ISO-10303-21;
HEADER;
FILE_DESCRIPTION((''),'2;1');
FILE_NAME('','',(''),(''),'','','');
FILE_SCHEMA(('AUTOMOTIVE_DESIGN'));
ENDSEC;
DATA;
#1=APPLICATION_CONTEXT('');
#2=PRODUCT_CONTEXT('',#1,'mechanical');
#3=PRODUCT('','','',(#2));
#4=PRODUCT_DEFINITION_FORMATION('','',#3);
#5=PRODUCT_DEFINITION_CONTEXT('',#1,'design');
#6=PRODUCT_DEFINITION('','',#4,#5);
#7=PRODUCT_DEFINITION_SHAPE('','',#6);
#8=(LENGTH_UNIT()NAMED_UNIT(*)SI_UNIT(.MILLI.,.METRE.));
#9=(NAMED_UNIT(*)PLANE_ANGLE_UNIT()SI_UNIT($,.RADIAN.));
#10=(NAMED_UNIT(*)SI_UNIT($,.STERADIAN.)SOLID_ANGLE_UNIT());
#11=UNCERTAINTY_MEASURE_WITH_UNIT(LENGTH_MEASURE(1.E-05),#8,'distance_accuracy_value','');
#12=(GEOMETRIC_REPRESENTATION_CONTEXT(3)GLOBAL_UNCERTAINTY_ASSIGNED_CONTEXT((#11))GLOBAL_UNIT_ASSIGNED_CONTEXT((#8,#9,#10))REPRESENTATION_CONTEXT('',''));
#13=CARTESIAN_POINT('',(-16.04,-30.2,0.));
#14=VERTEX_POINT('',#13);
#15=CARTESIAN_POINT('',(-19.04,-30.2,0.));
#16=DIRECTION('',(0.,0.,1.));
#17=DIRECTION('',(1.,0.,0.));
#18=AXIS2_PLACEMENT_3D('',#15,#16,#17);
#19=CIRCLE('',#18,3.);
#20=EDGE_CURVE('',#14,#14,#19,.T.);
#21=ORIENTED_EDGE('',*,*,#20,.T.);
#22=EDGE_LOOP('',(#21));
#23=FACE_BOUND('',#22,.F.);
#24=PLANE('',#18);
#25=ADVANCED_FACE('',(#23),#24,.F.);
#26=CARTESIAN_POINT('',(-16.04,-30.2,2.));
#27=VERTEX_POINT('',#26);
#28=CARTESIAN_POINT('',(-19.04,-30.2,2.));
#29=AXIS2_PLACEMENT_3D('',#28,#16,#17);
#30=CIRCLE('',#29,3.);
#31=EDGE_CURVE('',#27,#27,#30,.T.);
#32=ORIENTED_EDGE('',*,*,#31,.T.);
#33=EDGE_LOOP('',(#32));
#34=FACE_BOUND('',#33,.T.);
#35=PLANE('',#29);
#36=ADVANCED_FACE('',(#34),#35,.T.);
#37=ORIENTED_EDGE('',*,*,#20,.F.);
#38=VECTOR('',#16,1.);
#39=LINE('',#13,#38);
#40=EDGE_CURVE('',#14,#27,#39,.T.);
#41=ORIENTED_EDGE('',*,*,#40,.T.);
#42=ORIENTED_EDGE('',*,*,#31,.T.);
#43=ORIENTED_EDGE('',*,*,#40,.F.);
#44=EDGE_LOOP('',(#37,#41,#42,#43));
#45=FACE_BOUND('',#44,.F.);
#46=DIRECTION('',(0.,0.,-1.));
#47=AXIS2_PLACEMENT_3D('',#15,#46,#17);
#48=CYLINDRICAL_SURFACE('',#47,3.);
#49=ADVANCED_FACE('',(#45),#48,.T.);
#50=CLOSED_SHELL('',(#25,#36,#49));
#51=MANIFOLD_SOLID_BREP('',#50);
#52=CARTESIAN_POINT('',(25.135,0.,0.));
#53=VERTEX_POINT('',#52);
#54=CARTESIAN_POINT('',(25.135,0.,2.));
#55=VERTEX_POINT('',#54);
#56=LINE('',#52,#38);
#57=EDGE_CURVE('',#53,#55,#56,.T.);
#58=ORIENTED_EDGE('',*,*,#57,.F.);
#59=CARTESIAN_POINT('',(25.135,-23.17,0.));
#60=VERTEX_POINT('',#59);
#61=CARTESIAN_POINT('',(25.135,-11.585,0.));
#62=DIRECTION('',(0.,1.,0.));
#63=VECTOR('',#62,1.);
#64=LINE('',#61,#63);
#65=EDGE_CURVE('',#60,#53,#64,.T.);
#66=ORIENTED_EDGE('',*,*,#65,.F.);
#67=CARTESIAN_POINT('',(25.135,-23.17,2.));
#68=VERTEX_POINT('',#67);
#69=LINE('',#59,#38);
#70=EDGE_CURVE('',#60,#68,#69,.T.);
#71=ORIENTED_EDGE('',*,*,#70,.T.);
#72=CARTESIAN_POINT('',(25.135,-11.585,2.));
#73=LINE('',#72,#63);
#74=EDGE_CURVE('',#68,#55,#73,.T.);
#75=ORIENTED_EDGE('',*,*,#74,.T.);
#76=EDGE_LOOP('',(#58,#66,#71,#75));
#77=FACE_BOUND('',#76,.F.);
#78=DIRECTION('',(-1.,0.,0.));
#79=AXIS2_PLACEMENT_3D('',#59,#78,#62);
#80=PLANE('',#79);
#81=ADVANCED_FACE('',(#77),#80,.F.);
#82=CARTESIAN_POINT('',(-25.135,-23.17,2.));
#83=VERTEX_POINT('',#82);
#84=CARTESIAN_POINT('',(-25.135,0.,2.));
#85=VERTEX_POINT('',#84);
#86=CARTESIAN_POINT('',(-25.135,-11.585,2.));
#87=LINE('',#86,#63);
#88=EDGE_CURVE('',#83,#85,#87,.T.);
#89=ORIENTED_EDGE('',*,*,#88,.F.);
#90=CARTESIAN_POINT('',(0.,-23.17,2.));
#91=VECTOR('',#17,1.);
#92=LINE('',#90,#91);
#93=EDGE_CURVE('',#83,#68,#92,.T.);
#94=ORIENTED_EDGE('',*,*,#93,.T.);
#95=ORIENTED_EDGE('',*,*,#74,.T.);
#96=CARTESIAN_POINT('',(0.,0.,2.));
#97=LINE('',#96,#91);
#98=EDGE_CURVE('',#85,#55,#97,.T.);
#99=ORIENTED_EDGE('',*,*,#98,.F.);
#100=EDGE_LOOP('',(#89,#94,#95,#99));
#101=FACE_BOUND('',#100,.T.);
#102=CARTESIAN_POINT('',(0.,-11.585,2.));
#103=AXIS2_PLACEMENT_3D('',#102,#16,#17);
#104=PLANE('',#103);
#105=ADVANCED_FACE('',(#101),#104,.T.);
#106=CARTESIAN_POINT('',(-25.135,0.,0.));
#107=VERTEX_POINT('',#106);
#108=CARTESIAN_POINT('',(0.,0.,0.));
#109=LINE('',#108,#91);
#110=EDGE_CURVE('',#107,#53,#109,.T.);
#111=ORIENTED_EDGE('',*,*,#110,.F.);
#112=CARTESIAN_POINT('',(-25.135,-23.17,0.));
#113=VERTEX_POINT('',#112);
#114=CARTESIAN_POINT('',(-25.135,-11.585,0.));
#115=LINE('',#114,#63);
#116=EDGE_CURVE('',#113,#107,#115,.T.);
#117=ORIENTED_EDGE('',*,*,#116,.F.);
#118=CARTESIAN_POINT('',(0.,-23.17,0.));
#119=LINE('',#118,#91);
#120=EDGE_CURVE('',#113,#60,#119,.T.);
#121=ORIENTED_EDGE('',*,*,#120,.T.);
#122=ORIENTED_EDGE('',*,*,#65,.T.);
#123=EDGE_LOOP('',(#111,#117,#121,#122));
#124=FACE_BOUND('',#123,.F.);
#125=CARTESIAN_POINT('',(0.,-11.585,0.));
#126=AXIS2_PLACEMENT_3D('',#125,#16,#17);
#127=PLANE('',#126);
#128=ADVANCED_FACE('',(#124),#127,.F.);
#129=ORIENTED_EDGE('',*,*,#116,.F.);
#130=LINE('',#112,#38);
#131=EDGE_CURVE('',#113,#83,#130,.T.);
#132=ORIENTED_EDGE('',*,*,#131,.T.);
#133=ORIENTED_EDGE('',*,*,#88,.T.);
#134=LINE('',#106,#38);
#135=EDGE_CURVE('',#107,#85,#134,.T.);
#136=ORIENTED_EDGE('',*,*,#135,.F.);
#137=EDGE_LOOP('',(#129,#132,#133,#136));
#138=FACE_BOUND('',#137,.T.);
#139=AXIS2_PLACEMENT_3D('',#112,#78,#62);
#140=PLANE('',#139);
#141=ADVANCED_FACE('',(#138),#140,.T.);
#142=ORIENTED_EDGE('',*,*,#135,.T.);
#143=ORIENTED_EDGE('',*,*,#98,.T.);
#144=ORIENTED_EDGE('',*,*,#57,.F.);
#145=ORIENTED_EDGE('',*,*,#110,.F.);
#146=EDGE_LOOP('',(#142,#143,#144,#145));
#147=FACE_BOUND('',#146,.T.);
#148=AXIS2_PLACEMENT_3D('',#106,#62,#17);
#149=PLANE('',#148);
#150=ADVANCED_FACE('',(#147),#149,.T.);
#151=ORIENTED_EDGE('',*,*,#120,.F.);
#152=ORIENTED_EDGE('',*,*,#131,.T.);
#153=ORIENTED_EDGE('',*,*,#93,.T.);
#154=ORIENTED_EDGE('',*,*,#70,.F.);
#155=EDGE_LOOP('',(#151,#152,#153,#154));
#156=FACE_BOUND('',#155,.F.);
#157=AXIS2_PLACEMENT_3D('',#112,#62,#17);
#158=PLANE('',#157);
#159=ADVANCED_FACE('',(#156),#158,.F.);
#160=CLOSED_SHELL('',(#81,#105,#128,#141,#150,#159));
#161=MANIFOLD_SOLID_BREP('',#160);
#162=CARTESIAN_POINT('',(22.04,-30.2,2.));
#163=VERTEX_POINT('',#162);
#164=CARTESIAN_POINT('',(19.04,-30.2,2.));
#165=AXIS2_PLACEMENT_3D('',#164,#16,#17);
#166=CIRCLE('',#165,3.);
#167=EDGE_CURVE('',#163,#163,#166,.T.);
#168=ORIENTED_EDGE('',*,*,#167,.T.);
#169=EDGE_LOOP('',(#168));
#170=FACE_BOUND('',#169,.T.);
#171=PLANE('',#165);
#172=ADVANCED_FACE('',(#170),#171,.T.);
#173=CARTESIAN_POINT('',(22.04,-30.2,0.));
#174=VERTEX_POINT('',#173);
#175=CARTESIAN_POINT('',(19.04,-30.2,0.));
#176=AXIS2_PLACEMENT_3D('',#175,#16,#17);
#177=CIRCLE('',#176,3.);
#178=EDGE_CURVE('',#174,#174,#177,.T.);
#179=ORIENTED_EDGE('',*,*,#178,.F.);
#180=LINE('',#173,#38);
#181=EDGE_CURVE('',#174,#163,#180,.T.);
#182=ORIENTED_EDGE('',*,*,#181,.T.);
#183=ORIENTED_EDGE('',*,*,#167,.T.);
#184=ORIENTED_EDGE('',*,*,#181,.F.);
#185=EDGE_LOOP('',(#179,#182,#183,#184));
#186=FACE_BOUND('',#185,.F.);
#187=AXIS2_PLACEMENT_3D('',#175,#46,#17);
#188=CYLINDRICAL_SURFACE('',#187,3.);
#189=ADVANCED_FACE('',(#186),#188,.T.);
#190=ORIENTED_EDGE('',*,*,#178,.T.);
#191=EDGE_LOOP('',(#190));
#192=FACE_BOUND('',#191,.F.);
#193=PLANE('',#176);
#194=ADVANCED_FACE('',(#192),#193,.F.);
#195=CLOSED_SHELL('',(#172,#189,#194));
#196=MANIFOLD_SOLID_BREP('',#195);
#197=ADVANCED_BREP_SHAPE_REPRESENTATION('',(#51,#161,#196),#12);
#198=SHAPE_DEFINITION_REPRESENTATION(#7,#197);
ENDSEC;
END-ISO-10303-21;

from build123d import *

# Parameters (mm, degrees)
F0_W     = 50.27
F0_H     = 23.17
F0_R     = 3
F1_DEPTH = 2


with BuildPart() as f1:
    # F0 (on Top) → F1 (new body)
    with BuildSketch(Plane.XY):
        with Locations((0, -11.585)):
            Rectangle(F0_W, F0_H)
        with Locations((-19.04, -30.2)):
            Circle(F0_R)
        with Locations((19.04, -30.2)):
            Circle(F0_R)
    extrude(amount=F1_DEPTH)


solid = f1.part
